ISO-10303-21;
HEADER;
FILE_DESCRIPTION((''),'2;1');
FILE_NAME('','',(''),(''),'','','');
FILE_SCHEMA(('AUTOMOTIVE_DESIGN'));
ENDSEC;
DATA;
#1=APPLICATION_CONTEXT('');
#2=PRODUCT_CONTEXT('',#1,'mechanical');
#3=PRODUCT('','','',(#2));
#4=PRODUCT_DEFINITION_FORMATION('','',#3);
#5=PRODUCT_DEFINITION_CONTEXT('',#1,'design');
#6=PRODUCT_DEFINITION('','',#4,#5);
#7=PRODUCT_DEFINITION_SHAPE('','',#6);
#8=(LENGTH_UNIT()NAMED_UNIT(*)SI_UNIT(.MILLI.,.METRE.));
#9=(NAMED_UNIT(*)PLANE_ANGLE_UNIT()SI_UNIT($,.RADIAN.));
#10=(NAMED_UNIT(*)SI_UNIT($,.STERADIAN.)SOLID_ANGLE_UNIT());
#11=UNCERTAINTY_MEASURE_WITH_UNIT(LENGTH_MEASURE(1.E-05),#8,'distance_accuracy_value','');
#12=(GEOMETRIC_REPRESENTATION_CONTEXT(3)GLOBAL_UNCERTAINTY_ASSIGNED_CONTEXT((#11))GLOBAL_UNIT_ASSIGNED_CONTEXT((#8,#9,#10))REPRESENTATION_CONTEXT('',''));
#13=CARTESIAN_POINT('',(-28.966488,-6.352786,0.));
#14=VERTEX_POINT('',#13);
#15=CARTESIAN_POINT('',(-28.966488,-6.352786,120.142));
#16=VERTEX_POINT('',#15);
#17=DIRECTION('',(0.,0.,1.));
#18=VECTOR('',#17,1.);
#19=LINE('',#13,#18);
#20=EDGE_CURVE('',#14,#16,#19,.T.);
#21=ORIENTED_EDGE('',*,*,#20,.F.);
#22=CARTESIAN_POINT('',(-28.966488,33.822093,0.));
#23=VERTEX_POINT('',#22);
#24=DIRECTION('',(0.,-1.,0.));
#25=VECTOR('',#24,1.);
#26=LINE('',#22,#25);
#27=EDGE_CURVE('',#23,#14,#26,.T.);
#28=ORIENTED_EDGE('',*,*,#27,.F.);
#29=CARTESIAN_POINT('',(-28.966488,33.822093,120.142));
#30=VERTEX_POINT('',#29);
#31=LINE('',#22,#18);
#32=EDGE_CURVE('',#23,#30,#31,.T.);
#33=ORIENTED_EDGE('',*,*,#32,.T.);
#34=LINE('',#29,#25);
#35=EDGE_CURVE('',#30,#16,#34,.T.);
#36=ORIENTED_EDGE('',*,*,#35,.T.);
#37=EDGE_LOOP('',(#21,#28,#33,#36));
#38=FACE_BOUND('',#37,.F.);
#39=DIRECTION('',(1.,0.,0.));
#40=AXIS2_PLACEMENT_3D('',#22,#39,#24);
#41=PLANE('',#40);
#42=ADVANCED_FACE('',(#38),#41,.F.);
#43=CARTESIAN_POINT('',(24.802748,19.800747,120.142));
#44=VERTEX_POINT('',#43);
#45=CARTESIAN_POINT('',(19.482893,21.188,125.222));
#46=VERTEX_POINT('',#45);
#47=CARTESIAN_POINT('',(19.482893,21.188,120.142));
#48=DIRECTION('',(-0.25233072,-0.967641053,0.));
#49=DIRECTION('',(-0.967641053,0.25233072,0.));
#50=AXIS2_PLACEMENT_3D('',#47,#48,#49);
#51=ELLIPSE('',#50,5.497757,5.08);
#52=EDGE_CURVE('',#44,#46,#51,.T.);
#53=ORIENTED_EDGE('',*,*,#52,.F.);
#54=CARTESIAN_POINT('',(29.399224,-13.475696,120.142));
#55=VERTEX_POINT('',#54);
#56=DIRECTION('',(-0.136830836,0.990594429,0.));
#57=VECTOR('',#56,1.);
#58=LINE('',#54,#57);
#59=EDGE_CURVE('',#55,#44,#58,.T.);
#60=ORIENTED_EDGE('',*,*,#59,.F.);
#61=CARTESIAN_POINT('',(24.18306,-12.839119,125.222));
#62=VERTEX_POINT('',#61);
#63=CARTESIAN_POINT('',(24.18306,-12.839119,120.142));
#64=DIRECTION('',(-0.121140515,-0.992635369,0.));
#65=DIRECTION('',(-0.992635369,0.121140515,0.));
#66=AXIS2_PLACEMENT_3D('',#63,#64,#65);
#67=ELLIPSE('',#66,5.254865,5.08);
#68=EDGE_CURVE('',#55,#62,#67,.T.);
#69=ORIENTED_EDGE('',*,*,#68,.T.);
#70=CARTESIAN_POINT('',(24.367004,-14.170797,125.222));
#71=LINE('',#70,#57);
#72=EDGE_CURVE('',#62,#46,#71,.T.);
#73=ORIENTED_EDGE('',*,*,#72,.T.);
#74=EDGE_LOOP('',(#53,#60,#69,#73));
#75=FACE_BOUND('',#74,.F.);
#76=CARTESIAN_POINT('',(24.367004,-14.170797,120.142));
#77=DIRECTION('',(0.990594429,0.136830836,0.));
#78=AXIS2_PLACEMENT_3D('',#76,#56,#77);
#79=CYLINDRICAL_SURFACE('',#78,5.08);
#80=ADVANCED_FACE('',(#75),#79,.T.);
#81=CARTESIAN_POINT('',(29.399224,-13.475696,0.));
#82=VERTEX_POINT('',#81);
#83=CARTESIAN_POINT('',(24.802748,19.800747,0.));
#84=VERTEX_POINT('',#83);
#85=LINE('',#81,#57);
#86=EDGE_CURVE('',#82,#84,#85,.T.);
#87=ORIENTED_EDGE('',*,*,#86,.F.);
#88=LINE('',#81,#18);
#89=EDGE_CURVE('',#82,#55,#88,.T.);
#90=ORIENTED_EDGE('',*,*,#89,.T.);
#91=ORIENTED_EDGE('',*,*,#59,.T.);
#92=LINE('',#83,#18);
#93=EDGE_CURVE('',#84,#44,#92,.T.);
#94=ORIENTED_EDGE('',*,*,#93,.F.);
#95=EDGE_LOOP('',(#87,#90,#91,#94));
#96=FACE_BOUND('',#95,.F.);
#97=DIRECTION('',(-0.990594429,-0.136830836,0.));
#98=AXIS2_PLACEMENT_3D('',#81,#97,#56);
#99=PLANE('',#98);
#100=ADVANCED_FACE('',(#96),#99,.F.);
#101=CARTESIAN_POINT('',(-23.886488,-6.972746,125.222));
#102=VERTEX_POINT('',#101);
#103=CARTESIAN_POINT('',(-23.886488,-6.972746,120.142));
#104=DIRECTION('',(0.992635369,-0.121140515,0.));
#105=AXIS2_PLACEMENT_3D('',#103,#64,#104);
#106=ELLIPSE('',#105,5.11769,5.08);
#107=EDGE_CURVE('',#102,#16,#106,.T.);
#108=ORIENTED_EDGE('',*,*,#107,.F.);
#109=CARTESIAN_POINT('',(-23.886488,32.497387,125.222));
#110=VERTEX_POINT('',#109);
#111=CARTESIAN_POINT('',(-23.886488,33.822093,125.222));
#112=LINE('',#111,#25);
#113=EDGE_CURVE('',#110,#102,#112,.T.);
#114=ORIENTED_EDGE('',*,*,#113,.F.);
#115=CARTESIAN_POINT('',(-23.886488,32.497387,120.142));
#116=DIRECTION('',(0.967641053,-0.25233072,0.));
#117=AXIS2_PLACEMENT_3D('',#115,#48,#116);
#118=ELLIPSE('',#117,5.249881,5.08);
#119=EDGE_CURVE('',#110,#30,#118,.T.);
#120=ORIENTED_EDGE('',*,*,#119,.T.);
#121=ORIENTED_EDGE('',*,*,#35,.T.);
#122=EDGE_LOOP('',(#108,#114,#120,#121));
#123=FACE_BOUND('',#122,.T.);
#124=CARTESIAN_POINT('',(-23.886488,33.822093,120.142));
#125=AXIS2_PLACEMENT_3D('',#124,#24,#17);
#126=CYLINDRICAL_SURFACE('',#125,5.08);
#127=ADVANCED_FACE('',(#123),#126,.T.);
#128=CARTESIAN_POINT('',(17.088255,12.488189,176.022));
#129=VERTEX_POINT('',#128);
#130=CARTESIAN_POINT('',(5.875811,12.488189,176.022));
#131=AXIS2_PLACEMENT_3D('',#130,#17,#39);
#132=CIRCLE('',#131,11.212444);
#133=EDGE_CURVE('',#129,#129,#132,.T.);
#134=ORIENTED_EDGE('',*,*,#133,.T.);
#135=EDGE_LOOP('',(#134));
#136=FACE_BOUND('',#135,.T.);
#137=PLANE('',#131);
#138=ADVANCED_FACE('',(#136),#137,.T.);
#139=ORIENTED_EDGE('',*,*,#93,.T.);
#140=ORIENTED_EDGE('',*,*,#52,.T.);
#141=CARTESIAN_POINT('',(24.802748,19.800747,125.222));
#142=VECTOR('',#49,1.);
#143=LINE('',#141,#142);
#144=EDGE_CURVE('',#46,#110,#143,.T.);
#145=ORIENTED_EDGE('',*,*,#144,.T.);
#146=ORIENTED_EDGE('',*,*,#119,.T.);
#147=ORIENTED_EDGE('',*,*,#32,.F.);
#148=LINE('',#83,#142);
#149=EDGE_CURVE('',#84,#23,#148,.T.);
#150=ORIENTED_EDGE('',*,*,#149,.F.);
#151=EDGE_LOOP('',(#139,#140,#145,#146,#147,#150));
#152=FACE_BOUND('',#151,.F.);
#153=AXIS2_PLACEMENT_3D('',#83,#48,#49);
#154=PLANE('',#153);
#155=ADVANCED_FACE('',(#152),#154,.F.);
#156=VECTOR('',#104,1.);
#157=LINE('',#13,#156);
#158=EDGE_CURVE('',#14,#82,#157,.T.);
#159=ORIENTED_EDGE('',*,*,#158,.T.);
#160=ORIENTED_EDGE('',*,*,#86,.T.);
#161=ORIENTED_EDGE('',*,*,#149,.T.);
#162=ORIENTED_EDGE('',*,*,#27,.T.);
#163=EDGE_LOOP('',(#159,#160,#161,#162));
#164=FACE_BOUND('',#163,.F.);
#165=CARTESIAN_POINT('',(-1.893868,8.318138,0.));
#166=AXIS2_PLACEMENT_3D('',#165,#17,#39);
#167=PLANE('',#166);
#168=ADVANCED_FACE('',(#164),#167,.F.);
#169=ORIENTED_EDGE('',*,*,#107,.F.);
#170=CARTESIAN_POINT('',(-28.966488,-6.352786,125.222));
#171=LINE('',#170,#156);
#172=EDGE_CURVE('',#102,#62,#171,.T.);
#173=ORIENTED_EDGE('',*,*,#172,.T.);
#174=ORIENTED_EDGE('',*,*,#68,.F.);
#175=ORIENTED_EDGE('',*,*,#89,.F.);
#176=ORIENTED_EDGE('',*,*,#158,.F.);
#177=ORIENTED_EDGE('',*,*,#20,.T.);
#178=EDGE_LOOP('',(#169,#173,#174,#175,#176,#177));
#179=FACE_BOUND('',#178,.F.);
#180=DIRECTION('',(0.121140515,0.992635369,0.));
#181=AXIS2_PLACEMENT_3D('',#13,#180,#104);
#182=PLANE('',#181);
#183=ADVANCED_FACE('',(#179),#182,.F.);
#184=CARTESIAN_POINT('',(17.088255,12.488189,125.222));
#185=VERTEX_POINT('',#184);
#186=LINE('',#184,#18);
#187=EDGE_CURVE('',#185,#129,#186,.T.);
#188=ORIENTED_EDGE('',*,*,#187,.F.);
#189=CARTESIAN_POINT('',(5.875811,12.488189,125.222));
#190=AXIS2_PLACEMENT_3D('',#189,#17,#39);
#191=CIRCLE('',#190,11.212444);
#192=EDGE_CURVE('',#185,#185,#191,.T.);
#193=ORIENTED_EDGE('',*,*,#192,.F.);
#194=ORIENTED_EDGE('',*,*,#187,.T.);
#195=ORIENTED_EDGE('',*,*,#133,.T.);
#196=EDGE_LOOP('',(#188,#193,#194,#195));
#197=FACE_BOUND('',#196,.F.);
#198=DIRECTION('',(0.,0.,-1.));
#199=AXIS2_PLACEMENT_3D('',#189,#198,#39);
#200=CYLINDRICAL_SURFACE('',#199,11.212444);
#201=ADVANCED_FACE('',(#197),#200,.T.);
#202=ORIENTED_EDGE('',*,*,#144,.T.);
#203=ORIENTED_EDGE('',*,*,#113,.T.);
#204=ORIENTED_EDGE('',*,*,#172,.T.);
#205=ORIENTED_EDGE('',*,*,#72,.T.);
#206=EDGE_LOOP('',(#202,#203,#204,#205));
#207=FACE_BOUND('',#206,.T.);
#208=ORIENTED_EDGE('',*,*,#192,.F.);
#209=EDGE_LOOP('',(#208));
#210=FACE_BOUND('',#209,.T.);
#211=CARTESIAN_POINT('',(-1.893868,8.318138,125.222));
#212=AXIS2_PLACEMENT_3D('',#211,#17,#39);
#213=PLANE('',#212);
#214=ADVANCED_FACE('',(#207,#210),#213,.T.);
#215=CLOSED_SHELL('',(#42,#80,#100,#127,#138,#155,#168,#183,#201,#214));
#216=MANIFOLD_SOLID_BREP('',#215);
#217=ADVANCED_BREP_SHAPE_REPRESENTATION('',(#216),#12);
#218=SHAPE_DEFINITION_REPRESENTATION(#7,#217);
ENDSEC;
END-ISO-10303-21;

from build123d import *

# Parameters (mm, degrees)
F1_DEPTH = 125.222
F2_R     = 5.08
F3_R     = 5.08
F4_R     = 11.212444
F5_DEPTH = 50.8


with BuildPart() as f1:
    # F0 (on Top) → F1 (new body)
    with BuildSketch(Plane.XY):
        Polygon((24.802748, 19.800747), (-28.966488, 33.822093), (-28.966488, -6.352786), (29.399224, -13.475696), align=None)
    extrude(amount=F1_DEPTH)

    # F2
    f2_edges = [f1.edges().sort_by_distance(p)[0] for p in [
        (27.100986, 3.162526, 125.222),
    ]]
    fillet(f2_edges, radius=F2_R)

    # F3
    f3_edges = [f1.edges().sort_by_distance(p)[0] for p in [
        (-28.966488, 13.734654, 125.222),
    ]]
    fillet(f3_edges, radius=F3_R)

    # F4 (on face) → F5 (join)
    with BuildSketch(Plane.XY.offset(125.222)):
        with Locations((5.875811, 12.488189)):
            Circle(F4_R)
    extrude(amount=F5_DEPTH)


solid = f1.part
